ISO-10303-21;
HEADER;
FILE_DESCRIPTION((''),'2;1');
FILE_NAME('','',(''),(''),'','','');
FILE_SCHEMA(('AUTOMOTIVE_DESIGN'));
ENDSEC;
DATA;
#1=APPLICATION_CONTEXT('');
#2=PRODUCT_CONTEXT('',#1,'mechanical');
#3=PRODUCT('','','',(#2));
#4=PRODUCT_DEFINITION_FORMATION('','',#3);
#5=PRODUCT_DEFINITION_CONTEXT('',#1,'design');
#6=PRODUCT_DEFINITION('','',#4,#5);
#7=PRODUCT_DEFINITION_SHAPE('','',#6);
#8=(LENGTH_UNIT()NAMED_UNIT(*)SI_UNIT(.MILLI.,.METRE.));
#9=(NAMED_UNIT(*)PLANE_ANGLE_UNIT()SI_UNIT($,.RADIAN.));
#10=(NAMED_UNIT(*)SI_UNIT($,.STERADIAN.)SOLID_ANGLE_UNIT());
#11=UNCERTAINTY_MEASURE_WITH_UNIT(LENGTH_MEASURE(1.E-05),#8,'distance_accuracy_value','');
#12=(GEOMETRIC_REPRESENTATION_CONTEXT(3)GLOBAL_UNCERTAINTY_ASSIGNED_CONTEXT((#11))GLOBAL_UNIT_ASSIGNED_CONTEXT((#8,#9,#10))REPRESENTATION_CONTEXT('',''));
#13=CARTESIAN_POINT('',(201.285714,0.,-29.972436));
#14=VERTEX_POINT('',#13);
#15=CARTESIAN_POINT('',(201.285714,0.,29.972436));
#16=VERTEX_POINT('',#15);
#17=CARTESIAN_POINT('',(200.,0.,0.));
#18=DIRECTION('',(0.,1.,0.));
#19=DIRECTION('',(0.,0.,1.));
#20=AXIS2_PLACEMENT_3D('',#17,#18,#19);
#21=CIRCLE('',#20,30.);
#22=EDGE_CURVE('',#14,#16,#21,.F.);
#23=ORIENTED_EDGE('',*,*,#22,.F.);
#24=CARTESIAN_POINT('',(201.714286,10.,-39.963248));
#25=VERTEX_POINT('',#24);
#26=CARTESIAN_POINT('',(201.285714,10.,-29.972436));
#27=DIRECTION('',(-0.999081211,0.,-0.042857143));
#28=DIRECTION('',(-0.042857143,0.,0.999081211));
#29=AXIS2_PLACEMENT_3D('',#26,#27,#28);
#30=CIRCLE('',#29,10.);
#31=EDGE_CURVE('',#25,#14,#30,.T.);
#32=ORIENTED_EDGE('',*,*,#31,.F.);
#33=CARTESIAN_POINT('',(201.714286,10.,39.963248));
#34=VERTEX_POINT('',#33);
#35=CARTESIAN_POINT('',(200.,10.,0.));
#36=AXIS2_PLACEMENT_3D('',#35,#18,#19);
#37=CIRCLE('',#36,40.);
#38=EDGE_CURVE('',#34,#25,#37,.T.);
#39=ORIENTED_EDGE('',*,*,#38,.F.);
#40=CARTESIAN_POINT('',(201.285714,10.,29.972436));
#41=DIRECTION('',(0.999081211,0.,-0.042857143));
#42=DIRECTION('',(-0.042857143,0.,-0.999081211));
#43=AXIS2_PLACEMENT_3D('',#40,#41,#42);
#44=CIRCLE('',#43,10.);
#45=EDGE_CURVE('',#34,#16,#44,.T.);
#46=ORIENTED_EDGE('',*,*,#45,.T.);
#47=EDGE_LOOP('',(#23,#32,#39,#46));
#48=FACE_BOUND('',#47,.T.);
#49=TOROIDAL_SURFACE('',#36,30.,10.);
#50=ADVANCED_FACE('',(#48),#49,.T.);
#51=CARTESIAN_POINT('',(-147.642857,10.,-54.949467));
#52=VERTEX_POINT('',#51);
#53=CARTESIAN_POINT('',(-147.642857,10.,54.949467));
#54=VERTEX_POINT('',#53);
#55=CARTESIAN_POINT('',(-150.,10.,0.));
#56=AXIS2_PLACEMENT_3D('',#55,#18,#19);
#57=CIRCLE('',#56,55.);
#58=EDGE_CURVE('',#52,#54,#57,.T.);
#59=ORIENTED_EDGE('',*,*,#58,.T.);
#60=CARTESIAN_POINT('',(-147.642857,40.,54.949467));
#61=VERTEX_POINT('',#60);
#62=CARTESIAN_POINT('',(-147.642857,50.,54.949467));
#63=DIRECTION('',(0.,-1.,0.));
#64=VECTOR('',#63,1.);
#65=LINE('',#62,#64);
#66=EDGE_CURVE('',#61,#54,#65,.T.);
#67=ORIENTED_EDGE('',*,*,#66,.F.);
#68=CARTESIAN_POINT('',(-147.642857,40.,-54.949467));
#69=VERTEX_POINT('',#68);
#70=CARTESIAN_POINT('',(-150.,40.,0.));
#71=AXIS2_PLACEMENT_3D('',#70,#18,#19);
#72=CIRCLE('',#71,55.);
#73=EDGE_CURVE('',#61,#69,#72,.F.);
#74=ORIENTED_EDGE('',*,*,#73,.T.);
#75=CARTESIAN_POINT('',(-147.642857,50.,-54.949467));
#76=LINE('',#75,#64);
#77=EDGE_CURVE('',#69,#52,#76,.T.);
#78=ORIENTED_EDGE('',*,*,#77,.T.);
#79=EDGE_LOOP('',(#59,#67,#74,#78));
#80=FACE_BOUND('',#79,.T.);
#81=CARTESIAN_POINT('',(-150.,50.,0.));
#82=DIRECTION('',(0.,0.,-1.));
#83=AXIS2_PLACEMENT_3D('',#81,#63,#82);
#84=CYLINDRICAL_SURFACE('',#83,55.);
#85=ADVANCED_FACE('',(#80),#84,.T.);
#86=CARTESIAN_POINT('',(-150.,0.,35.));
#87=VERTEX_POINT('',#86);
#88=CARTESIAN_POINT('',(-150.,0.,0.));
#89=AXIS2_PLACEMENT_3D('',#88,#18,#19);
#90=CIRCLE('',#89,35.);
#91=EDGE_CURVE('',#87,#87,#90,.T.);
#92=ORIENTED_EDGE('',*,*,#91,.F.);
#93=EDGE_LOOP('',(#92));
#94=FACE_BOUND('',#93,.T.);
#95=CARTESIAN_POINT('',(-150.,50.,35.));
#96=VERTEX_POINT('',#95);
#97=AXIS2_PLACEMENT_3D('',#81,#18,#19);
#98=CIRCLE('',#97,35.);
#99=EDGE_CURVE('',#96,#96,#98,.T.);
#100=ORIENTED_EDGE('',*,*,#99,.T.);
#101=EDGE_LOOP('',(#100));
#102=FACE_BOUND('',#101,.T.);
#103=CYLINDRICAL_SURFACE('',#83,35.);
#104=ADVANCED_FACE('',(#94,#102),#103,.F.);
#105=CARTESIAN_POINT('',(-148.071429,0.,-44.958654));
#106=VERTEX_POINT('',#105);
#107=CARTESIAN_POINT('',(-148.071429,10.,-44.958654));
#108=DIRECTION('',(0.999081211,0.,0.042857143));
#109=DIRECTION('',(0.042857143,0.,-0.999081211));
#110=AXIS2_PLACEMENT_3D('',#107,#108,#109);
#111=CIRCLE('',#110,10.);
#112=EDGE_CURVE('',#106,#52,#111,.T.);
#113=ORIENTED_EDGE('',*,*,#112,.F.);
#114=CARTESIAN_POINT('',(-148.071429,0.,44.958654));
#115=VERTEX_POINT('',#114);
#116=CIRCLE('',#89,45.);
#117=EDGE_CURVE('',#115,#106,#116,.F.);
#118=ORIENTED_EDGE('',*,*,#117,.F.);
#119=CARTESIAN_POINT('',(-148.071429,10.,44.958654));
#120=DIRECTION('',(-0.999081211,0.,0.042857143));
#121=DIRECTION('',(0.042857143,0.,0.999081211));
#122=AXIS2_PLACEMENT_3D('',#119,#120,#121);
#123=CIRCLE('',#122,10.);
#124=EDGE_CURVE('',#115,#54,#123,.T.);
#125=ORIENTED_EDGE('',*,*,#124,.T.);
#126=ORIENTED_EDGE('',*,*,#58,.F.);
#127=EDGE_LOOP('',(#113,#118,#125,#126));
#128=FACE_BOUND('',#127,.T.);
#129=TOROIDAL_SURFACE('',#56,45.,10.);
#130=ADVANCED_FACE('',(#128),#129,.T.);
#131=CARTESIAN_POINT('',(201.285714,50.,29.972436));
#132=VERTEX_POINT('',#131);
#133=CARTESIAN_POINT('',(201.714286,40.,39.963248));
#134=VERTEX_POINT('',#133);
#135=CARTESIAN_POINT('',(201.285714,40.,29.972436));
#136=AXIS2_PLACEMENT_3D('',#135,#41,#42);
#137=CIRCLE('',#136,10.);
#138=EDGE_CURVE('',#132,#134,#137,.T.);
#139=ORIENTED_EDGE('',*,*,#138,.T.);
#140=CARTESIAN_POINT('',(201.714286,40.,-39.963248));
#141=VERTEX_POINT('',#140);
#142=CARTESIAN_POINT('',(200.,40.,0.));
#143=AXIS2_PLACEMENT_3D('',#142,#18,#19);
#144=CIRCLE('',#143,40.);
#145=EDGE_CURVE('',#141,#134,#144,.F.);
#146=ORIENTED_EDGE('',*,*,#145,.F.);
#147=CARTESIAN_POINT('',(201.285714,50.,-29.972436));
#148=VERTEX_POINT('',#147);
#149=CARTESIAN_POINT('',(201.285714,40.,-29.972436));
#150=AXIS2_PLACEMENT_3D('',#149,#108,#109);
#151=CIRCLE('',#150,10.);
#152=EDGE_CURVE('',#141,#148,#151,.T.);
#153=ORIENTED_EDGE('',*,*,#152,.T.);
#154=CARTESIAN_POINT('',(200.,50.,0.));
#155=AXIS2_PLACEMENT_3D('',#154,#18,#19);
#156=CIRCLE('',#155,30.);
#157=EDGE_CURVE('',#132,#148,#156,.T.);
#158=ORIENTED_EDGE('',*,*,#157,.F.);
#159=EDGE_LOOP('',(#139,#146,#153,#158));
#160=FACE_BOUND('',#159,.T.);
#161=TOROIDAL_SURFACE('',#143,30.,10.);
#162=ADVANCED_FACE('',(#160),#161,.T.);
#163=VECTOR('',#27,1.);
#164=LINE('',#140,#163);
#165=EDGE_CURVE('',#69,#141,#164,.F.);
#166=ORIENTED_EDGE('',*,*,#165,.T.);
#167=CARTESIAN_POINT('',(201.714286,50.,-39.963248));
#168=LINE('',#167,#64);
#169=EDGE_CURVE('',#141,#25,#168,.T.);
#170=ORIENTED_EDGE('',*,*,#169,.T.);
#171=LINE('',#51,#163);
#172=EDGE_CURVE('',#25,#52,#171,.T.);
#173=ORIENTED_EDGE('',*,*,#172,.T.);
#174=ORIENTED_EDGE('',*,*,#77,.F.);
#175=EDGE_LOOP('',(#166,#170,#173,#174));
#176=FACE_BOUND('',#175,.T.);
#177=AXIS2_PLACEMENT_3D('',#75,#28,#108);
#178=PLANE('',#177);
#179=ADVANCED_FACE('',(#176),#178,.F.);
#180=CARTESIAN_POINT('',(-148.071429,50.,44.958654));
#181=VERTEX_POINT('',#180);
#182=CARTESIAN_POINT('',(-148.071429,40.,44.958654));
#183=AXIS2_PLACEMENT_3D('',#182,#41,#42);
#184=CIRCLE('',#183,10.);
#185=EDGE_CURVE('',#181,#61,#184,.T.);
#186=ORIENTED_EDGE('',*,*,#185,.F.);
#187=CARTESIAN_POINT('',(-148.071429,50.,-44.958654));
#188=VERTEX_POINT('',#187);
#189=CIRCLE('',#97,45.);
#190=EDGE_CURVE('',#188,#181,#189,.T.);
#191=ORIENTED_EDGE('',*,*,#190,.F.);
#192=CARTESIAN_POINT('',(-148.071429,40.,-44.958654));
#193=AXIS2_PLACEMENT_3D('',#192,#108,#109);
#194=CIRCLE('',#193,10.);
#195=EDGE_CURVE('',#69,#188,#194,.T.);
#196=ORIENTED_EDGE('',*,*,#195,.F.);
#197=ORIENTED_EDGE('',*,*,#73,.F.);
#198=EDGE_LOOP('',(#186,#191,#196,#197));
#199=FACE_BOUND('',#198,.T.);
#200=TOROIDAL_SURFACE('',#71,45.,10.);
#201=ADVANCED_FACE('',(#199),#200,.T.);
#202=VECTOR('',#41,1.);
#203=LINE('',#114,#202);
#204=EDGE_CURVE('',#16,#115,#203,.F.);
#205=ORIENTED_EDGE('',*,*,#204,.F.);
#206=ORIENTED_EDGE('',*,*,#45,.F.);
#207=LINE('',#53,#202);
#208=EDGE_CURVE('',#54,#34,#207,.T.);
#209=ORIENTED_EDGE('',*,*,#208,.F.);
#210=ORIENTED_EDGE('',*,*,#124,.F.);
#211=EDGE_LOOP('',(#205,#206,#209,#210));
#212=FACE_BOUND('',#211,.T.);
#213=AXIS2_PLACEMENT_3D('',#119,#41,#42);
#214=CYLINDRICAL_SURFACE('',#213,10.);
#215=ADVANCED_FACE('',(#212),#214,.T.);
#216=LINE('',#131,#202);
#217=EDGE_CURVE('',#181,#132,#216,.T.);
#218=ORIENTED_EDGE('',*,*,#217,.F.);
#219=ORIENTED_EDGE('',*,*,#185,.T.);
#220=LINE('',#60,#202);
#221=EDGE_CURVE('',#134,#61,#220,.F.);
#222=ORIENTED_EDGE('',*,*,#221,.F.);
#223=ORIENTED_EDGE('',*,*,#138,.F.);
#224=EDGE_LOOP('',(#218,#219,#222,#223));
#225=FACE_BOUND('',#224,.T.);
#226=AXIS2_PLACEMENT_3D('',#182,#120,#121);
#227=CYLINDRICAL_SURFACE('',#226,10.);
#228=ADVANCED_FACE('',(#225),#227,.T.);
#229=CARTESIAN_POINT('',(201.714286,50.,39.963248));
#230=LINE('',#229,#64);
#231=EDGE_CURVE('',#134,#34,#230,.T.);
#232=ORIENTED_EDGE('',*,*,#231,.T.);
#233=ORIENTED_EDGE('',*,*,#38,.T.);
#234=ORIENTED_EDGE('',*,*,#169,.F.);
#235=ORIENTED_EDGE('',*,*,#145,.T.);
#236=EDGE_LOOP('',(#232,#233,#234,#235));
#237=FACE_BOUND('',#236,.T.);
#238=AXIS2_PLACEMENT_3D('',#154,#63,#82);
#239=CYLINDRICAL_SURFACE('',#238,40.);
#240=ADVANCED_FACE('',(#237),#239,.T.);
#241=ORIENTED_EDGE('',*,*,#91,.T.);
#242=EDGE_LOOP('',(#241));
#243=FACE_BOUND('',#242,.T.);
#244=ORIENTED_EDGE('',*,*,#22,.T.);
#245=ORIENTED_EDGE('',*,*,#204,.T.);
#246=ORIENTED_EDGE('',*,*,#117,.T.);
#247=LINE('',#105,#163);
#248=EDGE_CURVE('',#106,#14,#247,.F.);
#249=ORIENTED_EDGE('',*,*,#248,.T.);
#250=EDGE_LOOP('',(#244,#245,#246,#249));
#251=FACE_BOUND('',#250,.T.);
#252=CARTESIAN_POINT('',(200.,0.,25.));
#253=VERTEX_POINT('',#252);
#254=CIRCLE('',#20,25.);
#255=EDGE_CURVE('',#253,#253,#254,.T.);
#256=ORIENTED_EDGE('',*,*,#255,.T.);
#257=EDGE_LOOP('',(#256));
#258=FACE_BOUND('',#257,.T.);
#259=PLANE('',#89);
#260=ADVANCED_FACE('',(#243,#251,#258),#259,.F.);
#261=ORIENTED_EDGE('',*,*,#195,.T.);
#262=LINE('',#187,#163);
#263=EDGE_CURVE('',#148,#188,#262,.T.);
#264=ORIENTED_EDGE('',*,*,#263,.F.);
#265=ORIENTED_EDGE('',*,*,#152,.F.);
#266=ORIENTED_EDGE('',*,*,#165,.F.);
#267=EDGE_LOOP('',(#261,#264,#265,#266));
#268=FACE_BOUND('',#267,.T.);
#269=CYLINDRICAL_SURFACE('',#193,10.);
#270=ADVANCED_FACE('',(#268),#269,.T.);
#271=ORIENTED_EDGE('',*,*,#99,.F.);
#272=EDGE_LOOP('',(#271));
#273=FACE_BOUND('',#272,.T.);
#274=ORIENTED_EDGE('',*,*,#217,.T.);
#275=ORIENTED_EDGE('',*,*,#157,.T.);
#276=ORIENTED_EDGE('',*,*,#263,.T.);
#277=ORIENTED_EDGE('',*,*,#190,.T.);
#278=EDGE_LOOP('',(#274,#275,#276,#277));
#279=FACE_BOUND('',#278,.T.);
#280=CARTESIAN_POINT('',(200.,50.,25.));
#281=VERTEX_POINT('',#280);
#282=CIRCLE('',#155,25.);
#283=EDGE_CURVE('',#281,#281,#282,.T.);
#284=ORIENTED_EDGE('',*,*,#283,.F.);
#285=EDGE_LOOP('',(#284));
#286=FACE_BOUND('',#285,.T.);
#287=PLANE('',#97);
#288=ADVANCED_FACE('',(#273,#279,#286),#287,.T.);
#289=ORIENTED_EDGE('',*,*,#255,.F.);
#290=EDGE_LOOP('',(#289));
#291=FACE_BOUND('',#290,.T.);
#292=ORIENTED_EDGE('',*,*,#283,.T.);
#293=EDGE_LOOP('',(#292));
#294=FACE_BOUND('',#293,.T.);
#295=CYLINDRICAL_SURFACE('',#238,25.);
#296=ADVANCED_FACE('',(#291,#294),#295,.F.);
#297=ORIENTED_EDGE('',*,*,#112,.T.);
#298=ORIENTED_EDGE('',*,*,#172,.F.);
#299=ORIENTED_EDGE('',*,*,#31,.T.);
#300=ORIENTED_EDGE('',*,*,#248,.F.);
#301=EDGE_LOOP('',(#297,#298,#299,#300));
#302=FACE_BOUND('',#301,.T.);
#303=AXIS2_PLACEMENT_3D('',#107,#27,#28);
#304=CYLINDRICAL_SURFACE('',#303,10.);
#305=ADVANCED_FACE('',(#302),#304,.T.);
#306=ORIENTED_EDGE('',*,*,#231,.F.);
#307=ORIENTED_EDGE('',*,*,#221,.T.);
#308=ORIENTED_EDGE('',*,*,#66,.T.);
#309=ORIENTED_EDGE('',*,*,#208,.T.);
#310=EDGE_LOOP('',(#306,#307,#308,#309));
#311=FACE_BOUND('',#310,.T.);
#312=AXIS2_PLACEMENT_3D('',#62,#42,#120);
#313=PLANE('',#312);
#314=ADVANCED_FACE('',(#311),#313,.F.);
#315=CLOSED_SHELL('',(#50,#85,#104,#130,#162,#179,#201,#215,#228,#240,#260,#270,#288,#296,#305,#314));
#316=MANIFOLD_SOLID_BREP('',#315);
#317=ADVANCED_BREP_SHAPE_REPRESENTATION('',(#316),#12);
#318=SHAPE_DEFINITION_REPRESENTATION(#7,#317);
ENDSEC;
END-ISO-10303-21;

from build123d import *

# Parameters (mm, degrees)
CROQUIS1_R              = 35
CROQUIS1_R_2            = 25
SALIENTE_EXTRUIR1_DEPTH = 50
REDONDEO1_R             = 10


with BuildPart() as part:
    # Croquis1 → Saliente-Extruir1 (new body)
    with BuildSketch(Plane(origin=(0, 0, 0), x_dir=(1, 0, 0), z_dir=(0, 1, 0))):
        with BuildLine():
            Line((-147.642857143, 54.949466581), (201.714285714, 39.963248423))
            ThreePointArc((201.714285714, 39.963248423), (240, 0), (201.714285714, -39.963248423))
            Line((201.714285714, -39.963248423), (-147.642857143, -54.949466581))
            ThreePointArc((-147.642857143, -54.949466581), (-205, 0), (-147.642857143, 54.949466581))
        make_face()
        with Locations(Location((-150, 0, 0), (0, 0, 270))):
            Circle(CROQUIS1_R, mode=Mode.SUBTRACT)
        with Locations(Location((200, 0, 0), (0, 0, 270))):
            Circle(CROQUIS1_R_2, mode=Mode.SUBTRACT)
    extrude(amount=SALIENTE_EXTRUIR1_DEPTH)

    # Redondeo1
    redondeo1_edges = [part.edges().sort_by_distance(p)[0] for p in [
        (240, 50, 0),
        (27.035714286, 50, -47.456357502),
        (-205, 50, 0),
        (27.035714286, 0, -47.456357502),
        (240, 0, 0),
        (27.035714286, 0, 47.456357502),
        (-205, 0, 0),
        (27.035714286, 50, 47.456357502),
    ]]
    fillet(redondeo1_edges, radius=REDONDEO1_R)


solid = part.part
